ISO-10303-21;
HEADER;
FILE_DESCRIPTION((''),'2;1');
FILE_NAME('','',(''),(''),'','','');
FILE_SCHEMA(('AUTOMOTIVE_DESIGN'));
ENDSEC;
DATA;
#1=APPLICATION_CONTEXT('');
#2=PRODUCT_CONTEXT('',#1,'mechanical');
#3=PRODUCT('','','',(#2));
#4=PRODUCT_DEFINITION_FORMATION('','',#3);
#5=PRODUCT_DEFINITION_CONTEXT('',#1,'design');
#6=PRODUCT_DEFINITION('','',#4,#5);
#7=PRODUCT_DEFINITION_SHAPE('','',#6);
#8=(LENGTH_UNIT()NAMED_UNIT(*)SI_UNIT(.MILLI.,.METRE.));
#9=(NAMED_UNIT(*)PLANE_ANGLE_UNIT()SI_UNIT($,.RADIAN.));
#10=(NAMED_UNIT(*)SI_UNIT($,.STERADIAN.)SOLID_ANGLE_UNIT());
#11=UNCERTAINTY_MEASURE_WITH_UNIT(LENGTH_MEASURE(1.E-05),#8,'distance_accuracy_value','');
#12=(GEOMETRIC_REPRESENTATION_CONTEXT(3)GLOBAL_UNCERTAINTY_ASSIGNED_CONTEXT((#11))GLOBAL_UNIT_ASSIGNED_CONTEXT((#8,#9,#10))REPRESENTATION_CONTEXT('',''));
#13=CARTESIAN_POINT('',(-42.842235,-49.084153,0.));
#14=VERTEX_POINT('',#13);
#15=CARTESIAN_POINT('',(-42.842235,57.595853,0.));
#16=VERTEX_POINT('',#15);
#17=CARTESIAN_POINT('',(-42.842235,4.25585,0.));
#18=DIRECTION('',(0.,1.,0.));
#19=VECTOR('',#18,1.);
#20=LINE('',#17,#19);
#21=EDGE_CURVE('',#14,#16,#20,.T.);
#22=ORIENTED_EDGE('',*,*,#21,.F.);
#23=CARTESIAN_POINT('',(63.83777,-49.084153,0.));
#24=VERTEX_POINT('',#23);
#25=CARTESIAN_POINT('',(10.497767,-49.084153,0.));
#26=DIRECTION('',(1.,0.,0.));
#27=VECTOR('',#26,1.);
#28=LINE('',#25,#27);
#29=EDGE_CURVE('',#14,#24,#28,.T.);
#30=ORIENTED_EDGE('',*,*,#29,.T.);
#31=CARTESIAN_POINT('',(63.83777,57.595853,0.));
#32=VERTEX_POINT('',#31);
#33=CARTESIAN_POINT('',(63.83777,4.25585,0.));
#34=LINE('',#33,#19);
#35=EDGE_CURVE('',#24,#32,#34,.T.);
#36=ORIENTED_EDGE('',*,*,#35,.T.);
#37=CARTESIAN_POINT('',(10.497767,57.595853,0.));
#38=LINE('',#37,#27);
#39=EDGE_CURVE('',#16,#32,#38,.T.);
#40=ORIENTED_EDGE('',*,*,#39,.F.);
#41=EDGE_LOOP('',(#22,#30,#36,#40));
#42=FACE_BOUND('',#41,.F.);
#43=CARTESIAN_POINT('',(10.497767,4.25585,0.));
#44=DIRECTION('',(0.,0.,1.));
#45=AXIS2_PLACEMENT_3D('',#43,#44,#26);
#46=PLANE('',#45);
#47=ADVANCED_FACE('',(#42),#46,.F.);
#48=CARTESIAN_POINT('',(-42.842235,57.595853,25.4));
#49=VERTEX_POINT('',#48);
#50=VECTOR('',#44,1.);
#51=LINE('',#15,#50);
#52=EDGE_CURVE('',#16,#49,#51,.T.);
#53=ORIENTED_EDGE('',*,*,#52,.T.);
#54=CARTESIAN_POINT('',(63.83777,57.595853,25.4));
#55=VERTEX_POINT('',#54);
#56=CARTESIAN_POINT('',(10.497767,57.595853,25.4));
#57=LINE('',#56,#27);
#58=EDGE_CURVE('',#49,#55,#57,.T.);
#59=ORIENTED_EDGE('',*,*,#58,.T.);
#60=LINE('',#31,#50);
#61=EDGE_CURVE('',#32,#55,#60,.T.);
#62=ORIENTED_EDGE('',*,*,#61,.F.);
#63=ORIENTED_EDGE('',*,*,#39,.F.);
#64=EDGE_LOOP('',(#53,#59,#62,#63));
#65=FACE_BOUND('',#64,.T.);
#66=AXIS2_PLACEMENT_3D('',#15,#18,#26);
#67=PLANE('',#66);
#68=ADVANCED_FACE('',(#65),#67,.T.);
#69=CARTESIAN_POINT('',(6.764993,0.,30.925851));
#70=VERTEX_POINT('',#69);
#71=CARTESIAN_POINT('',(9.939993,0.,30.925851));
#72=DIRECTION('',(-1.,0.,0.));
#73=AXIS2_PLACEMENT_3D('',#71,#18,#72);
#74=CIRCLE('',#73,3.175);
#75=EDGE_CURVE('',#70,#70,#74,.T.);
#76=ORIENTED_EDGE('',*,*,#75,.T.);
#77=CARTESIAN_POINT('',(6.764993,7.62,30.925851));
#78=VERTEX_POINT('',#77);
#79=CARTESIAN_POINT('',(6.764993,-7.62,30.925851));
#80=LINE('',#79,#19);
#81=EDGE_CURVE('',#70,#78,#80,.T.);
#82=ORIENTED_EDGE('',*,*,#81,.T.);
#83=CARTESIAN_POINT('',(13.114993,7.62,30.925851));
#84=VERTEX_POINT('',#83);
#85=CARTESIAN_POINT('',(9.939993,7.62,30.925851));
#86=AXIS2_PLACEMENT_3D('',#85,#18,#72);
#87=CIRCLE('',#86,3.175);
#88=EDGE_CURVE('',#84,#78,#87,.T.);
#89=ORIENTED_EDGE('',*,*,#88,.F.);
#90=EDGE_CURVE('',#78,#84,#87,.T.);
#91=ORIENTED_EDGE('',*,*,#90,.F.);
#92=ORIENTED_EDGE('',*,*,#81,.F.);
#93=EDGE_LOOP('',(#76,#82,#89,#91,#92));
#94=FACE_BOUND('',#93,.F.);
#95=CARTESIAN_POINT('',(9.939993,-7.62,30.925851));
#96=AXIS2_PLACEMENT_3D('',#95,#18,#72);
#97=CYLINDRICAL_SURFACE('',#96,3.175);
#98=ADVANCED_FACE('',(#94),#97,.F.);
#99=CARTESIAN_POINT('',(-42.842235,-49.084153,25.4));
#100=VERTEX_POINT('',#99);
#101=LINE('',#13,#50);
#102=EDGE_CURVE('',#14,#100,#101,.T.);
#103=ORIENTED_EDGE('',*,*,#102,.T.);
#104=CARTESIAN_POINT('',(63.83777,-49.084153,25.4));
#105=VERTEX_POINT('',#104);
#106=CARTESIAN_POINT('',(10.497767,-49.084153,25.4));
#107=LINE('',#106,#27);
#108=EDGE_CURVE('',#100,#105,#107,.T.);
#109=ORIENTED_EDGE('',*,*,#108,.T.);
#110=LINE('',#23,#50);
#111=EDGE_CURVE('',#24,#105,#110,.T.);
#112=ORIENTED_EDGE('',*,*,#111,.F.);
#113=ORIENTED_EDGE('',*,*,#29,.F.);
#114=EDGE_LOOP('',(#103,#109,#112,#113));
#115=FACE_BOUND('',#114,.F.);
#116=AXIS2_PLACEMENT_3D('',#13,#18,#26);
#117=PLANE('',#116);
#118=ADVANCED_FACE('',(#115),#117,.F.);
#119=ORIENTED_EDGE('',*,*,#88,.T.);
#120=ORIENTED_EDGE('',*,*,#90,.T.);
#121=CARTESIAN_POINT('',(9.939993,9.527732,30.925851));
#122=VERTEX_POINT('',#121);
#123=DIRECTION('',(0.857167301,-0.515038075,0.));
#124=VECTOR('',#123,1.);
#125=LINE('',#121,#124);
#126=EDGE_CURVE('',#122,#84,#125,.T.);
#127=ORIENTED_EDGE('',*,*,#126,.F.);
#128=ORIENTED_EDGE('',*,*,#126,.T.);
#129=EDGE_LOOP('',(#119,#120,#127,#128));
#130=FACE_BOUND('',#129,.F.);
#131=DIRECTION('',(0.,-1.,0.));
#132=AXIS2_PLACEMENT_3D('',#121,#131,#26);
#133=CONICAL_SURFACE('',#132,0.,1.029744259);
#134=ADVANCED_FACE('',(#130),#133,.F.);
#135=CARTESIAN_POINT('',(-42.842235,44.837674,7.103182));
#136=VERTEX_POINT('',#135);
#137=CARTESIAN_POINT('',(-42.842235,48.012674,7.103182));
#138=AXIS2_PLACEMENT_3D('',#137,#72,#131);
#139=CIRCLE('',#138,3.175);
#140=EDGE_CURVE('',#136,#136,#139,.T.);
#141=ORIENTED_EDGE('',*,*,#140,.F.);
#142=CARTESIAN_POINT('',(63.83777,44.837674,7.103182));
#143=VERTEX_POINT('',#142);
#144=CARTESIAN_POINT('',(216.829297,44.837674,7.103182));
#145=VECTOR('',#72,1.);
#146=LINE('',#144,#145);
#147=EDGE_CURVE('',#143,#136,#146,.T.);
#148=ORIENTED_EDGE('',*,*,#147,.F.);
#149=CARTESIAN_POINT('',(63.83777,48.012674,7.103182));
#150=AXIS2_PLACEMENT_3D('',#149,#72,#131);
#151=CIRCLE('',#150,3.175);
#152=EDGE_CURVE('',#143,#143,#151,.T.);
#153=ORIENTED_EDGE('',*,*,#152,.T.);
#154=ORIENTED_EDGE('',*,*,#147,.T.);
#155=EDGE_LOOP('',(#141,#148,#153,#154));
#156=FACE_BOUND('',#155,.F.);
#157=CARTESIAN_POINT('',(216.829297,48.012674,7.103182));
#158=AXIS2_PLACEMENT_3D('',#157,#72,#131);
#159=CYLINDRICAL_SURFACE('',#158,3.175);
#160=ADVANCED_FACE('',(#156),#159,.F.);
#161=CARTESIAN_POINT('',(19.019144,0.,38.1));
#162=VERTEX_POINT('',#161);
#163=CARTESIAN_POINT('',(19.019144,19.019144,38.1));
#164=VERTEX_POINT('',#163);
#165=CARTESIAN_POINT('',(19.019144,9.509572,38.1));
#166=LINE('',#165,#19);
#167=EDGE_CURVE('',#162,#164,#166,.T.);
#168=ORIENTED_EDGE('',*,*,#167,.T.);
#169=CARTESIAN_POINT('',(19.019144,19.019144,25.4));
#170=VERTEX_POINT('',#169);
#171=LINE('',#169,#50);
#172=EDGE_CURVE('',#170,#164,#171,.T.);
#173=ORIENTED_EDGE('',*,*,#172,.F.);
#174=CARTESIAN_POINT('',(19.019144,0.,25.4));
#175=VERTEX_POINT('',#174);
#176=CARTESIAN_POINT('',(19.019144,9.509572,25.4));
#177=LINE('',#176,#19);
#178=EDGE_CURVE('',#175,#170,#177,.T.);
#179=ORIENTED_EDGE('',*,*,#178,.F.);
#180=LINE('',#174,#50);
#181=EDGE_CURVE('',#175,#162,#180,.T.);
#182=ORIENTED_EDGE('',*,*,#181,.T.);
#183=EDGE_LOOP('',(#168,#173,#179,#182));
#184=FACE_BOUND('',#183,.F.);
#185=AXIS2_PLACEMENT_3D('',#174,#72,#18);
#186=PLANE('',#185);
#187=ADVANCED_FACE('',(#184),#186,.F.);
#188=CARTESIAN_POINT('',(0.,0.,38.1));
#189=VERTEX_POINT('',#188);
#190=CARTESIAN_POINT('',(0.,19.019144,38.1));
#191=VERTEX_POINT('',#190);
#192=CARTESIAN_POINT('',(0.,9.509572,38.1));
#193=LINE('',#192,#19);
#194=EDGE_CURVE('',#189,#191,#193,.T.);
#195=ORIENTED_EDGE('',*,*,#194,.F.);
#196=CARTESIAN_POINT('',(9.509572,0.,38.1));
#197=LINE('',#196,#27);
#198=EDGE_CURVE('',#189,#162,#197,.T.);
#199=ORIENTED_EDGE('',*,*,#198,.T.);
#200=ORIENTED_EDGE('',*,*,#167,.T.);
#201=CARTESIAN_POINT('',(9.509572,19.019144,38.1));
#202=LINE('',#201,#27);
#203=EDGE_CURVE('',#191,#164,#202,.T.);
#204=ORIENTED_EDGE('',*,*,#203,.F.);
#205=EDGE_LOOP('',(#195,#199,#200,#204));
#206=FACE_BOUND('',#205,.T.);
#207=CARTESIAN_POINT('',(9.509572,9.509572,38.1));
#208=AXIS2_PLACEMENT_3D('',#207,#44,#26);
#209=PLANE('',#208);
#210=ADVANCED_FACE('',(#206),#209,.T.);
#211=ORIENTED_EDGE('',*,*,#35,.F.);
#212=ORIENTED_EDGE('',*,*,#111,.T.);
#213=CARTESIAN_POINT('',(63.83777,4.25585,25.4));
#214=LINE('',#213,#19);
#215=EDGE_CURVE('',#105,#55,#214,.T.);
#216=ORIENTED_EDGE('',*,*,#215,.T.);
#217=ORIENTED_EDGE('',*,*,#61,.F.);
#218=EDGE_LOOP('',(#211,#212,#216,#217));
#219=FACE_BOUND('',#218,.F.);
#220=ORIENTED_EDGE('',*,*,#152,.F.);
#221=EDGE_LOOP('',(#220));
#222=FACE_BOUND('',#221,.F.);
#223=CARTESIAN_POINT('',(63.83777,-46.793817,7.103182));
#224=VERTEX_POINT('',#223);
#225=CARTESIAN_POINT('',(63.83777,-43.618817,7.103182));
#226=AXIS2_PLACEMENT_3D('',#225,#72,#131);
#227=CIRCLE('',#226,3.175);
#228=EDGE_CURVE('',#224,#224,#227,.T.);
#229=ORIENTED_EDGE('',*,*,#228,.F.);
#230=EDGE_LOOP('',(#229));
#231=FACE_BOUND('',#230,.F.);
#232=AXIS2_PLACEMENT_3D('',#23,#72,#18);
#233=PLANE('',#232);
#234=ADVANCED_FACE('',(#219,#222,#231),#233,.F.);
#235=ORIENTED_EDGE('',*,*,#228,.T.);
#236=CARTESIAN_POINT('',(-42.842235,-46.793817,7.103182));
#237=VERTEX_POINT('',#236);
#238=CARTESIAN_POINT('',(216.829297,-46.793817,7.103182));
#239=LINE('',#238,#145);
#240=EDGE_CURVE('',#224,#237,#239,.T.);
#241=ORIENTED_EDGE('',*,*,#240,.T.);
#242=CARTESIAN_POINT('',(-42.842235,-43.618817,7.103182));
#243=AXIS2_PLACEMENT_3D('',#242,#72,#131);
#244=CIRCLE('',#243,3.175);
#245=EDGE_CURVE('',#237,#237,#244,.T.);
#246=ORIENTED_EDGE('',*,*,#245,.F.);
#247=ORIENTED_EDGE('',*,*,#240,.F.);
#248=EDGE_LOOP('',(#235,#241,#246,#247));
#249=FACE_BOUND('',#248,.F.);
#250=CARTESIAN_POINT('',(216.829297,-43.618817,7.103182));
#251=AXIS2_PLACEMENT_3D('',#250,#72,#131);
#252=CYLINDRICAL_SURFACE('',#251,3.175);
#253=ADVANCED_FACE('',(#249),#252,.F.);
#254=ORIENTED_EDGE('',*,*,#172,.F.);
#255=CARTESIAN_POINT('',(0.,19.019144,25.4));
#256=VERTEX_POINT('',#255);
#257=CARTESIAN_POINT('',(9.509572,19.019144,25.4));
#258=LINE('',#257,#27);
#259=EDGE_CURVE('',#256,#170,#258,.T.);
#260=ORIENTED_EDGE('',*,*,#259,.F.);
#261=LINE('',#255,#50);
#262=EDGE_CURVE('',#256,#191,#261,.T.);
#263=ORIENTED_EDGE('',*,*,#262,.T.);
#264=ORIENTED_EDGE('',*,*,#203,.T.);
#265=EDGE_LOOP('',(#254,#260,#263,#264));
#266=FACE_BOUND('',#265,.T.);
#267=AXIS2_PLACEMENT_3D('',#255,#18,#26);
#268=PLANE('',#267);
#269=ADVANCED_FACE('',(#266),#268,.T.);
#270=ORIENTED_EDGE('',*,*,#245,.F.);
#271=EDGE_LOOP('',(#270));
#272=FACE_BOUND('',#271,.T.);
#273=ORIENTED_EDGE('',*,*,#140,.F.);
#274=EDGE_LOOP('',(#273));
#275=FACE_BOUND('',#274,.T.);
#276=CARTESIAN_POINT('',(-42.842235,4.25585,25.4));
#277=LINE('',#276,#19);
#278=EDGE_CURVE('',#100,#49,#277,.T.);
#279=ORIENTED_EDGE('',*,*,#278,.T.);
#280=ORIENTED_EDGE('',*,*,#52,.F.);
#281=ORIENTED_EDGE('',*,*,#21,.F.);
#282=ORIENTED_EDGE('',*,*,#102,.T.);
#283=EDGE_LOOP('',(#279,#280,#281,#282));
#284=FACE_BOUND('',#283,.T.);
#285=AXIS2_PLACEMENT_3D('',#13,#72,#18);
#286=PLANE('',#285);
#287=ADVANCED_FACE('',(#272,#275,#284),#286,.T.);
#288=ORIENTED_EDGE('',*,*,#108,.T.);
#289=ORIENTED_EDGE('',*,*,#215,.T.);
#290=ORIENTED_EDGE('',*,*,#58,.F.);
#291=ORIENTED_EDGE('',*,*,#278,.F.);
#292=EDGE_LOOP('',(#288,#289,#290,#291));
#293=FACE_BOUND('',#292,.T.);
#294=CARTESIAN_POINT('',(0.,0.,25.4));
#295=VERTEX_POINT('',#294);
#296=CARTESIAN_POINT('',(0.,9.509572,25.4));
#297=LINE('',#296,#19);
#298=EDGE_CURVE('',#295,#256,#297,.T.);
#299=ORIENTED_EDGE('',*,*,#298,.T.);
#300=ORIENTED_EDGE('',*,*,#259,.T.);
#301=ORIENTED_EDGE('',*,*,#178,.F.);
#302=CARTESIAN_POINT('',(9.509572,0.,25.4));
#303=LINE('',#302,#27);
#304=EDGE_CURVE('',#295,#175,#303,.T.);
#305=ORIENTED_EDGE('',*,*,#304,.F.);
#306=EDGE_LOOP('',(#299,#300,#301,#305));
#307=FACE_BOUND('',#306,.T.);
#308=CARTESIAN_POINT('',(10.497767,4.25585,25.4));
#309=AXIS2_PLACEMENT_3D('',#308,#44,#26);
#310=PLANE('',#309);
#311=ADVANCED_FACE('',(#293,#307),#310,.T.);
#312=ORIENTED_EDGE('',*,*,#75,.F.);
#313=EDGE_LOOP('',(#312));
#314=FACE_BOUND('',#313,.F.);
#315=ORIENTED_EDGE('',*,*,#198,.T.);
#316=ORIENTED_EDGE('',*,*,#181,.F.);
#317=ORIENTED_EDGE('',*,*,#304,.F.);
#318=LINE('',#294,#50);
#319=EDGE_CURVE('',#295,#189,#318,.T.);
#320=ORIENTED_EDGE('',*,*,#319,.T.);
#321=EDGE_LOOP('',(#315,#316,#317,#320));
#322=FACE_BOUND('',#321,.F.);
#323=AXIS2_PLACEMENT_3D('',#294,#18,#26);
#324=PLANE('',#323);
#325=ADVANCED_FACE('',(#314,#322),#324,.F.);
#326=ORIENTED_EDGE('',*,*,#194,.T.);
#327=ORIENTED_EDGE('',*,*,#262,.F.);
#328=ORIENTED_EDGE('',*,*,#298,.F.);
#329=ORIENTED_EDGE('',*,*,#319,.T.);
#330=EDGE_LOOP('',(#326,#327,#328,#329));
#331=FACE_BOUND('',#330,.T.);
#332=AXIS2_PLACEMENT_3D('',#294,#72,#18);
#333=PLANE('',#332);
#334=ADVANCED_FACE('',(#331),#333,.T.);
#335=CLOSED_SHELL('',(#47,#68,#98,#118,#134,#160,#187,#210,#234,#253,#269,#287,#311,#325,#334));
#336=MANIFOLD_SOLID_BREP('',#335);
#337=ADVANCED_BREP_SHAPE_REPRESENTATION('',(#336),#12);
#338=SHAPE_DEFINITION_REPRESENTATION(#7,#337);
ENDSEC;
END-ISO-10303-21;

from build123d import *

# Parameters (mm, degrees)
F0_W     = 106.6800057888
F0_H     = 106.6800057888
F1_DEPTH = 25.4
F3_D     = 6.35
F4_W     = 19.0191436559
F4_H     = 19.0191436559
F5_DEPTH = 12.7
F7_D     = 6.35
F7_DEPTH = 7.62
F7_TIP   = 1.9077324654


with BuildPart() as f1:
    # F0 (on Top) → F1 (new body)
    with BuildSketch(Plane.XY):
        with Locations((10.4977674782, 4.2558498681)):
            Rectangle(F0_W, F0_H)
    extrude(amount=F1_DEPTH)

    # F3 (through all)
    with Locations(Plane.YZ.offset(63.8377703726)):
        with Locations((-43.6188168824, 7.1031823754), (48.0126738548, 7.1031823754)):
            Hole(F3_D / 2)

    # F4 (on face) → F5 (join)
    with BuildSketch(Plane.XY.offset(25.4)):
        with Locations((9.5095718279, 9.5095718279)):
            Rectangle(F4_W, F4_H)
    extrude(amount=F5_DEPTH)

    # F7
    with Locations(Plane.XZ):
        with Locations((9.9399928004, 30.9258513153)):
            Hole(F7_D / 2, depth=F7_DEPTH)
            with Locations((0, 0, -(F7_DEPTH + F7_TIP / 2))):  # 118° drill point
                Cone(0, F7_D / 2, F7_TIP, mode=Mode.SUBTRACT)


solid = f1.part
